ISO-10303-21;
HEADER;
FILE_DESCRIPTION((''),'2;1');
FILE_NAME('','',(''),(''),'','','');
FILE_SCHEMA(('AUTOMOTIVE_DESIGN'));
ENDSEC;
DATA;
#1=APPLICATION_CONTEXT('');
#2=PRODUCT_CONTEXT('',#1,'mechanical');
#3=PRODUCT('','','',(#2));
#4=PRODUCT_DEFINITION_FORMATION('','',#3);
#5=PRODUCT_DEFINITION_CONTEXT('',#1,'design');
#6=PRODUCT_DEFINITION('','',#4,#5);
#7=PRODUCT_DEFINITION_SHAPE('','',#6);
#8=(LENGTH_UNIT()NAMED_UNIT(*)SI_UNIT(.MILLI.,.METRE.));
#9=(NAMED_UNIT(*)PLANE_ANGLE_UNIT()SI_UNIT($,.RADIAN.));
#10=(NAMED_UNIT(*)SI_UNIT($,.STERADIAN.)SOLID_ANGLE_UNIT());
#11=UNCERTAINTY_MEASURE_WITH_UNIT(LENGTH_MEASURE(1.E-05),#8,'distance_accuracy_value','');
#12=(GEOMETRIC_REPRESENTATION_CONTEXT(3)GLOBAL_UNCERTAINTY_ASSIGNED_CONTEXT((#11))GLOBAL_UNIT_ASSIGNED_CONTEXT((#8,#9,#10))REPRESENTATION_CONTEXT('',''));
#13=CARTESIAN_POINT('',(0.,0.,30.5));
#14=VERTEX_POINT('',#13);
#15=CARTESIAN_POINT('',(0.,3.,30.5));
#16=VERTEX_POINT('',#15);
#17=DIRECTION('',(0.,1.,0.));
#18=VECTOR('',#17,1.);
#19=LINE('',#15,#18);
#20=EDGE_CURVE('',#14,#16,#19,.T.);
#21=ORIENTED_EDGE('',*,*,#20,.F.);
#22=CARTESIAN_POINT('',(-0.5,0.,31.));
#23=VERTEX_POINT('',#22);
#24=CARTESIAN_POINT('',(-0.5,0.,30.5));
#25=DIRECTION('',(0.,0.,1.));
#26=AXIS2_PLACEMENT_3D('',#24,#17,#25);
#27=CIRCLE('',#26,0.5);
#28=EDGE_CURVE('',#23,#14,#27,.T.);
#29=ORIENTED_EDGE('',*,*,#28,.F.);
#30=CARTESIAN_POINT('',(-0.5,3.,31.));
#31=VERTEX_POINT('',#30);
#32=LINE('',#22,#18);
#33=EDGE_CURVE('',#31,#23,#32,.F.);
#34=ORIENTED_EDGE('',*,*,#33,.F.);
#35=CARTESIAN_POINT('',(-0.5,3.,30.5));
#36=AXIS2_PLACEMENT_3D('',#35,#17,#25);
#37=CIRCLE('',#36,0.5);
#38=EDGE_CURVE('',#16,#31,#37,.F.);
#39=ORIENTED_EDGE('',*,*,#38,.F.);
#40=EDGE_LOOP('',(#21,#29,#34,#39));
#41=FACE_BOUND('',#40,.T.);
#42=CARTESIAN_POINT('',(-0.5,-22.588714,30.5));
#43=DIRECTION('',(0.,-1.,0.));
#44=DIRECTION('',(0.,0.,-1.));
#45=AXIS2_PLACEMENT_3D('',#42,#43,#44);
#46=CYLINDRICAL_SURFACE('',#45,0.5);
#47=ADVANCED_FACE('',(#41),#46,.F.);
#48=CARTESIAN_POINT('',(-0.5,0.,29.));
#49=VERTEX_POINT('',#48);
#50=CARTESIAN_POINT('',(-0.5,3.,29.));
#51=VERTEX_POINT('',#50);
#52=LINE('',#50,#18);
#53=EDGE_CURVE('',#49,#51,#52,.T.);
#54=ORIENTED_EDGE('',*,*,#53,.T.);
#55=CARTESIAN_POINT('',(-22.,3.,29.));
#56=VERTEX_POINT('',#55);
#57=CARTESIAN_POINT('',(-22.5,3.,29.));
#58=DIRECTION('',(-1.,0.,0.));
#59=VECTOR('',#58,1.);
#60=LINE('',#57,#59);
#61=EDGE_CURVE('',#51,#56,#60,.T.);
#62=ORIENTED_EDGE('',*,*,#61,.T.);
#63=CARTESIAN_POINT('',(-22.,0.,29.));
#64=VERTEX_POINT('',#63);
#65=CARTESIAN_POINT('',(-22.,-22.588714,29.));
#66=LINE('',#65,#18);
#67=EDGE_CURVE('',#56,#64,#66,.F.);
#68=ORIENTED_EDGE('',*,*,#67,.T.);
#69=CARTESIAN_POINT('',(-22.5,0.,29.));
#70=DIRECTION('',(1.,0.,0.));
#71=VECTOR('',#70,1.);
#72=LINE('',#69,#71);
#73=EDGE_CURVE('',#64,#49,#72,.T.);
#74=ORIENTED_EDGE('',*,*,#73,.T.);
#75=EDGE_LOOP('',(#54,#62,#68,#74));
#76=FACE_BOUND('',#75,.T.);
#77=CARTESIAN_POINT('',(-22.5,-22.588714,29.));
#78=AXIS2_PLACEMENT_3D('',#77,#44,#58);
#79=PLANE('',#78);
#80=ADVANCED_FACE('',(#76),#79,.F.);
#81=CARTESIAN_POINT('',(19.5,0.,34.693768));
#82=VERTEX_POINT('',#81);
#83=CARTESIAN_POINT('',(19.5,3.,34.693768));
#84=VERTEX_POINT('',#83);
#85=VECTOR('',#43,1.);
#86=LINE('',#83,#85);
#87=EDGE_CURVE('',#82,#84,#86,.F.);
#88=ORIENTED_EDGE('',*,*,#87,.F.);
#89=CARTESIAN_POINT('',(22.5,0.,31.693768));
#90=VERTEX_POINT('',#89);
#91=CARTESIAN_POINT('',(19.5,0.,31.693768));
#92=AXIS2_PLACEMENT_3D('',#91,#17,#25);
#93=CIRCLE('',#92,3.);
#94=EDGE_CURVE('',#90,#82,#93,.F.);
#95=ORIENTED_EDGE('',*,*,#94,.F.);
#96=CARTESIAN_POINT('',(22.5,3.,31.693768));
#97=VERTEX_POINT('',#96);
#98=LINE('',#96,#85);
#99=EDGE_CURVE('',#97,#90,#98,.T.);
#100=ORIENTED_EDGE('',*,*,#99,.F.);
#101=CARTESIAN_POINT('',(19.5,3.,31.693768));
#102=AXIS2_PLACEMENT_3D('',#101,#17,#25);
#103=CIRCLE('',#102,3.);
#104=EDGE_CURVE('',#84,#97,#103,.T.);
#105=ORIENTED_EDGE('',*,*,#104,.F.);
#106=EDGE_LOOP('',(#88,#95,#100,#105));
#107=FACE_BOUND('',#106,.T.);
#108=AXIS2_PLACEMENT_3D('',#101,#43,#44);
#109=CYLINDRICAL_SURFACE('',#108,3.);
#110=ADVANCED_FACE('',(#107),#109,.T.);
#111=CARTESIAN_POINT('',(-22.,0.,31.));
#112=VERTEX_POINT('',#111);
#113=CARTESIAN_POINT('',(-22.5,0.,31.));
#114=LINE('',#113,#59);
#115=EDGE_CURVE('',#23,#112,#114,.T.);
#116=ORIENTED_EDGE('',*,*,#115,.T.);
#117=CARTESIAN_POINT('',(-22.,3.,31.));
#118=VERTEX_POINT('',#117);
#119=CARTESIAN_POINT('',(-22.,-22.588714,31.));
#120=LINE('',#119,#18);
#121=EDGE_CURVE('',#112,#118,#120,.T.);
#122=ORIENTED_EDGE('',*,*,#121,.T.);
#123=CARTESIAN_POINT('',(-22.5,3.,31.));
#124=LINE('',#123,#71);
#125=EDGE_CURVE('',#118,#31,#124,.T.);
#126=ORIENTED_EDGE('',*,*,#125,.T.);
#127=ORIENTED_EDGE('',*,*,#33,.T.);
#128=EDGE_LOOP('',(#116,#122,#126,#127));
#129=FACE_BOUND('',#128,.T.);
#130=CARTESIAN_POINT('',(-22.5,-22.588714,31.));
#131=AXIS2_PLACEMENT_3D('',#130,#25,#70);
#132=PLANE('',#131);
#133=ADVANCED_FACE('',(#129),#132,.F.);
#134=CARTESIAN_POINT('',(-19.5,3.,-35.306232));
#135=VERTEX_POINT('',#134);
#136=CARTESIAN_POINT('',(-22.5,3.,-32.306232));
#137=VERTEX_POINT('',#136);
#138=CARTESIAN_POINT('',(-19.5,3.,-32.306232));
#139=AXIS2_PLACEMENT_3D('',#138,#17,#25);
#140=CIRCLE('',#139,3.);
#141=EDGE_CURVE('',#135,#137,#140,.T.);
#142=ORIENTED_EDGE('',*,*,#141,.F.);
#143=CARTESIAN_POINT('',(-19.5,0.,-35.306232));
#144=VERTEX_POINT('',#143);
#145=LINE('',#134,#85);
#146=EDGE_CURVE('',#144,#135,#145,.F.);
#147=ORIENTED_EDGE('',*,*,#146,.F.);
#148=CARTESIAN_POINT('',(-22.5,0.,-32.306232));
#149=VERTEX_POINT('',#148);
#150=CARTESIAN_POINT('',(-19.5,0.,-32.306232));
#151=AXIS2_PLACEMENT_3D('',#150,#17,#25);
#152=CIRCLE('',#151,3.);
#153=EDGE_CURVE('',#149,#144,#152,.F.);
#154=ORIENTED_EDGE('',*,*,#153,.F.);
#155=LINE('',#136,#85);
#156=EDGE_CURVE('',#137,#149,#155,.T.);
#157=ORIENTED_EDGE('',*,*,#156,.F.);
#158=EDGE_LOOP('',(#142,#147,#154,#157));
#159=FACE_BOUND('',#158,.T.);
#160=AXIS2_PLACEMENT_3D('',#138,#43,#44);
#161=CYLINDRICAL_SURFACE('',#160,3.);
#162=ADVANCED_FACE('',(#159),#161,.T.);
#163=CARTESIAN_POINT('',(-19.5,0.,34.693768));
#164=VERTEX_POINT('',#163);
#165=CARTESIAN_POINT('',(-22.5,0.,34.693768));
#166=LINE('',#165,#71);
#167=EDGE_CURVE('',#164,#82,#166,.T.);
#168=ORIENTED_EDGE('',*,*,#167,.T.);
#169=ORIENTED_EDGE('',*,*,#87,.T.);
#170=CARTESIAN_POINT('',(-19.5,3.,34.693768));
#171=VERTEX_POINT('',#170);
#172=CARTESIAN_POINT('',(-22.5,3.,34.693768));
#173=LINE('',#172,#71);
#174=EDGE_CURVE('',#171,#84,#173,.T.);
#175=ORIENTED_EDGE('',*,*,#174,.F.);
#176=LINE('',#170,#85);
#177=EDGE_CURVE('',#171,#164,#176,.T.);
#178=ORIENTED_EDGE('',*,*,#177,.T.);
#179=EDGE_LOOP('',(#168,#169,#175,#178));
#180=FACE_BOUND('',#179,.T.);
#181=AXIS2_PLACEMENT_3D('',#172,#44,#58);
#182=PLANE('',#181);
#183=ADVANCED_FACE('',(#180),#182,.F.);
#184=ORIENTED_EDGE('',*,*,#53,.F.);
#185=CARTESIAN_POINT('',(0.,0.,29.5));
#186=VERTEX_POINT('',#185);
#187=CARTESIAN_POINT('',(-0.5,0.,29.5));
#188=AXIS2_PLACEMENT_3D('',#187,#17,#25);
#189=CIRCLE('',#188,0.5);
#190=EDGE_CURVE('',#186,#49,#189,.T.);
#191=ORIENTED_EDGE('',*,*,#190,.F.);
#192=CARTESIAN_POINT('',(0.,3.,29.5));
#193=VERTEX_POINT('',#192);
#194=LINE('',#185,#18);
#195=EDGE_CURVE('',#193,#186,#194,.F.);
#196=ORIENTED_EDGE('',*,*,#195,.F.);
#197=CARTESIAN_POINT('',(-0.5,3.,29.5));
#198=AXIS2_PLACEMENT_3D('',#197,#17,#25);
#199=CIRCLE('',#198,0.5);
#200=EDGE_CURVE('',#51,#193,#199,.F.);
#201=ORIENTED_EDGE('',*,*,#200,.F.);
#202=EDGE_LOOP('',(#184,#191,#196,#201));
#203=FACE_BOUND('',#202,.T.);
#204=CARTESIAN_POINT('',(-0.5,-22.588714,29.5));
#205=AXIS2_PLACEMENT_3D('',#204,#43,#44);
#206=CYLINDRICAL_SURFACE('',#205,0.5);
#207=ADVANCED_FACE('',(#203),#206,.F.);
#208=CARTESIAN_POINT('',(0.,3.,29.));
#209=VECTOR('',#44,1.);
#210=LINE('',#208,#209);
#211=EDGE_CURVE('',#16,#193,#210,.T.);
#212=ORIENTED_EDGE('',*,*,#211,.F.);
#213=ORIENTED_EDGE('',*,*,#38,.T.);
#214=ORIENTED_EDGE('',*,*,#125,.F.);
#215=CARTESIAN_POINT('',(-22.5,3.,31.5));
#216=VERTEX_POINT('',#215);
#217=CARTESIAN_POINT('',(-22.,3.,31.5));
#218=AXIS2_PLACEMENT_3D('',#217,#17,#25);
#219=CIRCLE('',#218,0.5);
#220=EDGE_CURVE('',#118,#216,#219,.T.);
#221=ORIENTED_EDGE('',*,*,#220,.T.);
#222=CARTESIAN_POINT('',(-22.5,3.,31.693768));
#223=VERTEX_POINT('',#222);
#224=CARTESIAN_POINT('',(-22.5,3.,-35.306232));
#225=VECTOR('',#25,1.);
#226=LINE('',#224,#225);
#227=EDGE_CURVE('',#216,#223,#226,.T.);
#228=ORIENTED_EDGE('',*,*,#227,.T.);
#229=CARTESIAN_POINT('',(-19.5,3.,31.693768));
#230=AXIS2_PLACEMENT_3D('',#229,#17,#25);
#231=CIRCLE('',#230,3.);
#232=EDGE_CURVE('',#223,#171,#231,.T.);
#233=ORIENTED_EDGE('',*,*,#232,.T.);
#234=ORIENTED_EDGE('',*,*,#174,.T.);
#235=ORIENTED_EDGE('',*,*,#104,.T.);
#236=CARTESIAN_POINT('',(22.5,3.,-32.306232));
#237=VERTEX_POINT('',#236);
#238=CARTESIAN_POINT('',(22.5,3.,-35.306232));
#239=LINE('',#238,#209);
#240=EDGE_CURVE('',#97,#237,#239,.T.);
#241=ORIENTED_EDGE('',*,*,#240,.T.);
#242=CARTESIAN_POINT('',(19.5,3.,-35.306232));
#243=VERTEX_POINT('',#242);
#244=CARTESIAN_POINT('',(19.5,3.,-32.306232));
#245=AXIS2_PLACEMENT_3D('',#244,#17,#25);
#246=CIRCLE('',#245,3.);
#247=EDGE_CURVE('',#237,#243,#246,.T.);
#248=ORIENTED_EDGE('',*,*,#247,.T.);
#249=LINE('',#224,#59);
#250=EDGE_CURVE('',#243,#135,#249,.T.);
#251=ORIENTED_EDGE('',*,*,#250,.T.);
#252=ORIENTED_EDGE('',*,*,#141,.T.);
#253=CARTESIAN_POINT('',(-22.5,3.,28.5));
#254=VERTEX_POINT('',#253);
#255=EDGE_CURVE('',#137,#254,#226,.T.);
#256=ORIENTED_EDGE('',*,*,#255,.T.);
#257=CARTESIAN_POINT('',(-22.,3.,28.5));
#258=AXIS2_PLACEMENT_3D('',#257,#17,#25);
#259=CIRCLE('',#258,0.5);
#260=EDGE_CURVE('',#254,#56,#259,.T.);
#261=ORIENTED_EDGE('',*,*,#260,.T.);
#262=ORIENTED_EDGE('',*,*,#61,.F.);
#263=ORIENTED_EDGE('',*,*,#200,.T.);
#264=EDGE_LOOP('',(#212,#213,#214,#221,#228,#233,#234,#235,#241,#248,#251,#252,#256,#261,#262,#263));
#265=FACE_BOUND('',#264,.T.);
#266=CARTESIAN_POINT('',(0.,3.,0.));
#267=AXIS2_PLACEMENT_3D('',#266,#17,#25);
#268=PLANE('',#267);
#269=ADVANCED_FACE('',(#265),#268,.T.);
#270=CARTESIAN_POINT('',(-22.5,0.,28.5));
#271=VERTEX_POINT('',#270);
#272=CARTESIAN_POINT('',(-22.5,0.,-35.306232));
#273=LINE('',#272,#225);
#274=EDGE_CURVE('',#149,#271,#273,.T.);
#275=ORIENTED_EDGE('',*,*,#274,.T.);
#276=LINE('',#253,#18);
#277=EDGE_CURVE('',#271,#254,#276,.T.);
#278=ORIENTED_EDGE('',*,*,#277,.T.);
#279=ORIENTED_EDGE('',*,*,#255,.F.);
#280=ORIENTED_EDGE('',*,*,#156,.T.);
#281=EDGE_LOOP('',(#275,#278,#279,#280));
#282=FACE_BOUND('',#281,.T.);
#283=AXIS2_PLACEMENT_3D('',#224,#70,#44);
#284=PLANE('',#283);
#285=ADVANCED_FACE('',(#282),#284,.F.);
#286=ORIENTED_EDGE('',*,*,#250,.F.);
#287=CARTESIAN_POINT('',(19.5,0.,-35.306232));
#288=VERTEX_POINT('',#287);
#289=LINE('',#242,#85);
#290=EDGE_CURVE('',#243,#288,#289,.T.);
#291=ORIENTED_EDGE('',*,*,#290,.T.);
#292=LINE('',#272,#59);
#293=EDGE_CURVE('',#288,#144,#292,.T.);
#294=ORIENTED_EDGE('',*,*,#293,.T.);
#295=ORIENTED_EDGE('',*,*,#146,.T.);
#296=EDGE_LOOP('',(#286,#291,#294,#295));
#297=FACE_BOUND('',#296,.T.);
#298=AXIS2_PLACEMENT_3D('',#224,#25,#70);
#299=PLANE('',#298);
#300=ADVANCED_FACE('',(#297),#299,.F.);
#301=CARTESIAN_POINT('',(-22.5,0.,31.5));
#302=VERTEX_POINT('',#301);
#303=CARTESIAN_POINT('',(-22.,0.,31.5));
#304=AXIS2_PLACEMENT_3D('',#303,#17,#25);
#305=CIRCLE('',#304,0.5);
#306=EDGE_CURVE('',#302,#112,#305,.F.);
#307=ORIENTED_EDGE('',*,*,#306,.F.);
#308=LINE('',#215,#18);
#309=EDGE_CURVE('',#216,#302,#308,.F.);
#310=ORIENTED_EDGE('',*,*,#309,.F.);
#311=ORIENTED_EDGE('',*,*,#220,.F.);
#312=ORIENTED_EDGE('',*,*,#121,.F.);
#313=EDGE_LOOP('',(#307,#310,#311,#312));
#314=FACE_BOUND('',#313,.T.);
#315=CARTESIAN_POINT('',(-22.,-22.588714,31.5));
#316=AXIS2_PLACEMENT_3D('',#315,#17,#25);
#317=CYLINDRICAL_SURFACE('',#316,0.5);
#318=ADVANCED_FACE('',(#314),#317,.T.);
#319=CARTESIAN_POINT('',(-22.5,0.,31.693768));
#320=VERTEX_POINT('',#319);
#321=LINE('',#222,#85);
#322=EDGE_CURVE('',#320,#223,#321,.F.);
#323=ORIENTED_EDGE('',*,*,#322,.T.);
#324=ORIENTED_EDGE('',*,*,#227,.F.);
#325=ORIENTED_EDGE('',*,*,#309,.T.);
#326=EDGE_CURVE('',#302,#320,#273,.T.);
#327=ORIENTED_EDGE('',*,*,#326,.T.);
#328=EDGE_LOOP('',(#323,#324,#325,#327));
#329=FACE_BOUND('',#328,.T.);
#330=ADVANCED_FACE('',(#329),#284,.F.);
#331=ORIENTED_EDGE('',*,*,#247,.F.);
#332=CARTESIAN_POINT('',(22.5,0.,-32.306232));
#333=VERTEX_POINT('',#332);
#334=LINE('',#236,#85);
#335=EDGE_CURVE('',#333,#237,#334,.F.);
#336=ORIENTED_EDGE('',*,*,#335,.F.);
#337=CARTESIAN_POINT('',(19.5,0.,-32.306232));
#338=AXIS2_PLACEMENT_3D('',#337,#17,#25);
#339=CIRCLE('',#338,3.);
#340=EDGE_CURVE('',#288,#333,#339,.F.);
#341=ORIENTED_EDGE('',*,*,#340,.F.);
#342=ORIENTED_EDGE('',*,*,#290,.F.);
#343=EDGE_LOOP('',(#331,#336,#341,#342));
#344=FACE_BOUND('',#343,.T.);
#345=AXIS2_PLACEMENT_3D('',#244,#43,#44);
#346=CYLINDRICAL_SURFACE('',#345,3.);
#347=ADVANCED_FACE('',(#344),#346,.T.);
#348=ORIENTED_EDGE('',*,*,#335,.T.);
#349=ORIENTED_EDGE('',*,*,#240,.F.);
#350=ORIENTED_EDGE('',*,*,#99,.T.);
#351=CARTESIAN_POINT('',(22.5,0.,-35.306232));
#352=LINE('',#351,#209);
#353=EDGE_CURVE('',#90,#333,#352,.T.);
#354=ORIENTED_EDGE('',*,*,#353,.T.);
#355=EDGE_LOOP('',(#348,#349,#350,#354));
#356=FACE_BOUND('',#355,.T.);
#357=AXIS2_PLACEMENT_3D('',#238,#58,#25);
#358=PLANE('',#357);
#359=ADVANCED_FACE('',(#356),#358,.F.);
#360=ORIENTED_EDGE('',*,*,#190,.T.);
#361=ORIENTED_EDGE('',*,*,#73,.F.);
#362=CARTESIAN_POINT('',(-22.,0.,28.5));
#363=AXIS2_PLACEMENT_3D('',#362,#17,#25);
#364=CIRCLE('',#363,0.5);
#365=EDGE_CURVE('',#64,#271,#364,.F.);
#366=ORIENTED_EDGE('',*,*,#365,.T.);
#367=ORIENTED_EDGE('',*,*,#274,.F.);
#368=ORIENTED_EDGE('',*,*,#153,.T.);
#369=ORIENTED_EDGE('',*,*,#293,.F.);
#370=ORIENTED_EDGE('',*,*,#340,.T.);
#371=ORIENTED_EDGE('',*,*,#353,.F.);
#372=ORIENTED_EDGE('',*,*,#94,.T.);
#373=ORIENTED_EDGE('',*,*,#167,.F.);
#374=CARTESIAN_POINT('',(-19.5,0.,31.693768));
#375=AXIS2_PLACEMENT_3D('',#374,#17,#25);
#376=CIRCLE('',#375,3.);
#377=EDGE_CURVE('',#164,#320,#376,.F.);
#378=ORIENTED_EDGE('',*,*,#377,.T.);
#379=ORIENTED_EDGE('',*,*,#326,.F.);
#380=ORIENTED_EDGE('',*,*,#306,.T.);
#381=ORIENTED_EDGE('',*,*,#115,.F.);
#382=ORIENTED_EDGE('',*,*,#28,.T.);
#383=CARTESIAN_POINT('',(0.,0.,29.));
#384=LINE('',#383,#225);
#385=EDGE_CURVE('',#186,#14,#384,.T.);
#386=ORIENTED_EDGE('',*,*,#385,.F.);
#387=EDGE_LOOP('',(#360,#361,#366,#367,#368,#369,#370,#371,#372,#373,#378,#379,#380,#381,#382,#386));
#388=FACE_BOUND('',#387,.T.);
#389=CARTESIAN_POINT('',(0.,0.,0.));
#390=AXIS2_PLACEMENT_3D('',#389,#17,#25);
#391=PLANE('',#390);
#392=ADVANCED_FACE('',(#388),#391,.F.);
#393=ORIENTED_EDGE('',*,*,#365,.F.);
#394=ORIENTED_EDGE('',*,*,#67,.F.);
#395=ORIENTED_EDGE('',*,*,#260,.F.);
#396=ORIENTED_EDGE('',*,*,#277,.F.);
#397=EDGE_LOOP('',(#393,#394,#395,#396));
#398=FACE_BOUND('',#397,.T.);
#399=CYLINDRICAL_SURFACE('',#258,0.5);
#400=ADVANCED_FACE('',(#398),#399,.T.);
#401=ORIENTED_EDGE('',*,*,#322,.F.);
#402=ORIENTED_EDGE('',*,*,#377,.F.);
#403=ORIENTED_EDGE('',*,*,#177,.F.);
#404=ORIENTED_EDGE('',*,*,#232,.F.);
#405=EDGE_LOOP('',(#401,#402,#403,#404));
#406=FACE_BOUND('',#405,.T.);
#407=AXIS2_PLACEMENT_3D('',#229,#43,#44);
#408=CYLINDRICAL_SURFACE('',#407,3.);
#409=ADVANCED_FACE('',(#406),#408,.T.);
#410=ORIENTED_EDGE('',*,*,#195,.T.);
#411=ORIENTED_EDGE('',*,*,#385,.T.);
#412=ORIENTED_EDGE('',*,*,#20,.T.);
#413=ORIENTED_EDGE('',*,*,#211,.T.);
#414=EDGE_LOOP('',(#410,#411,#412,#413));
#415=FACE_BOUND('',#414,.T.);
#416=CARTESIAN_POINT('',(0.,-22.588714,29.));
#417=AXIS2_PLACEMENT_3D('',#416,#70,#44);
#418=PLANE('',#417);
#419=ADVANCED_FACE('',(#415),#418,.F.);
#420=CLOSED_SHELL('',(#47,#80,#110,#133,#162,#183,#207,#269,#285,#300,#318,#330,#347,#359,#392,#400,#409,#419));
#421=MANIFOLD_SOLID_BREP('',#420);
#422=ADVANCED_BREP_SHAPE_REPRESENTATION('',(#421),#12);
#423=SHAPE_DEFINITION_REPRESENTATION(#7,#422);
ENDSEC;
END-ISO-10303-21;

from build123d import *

# Parameters (mm, degrees)
CROQUIS1_W              = 45
CROQUIS1_H              = 70
SALIENTE_EXTRUIR1_DEPTH = 3
CROQUIS2_W              = 22.5
CROQUIS2_H              = 2
CORTAR_EXTRUIR1_DEPTH   = 3
REDONDEO1_R             = 3
REDONDEO2_R             = 0.5


with BuildPart() as part:
    # Croquis1 → Saliente-Extruir1 (new body)
    with BuildSketch(Plane(origin=(0, 0, 0), x_dir=(1, 0, 0), z_dir=(0, 1, 0))):
        with Locations((0, 0.306231574)):
            Rectangle(CROQUIS1_W, CROQUIS1_H)
    extrude(amount=SALIENTE_EXTRUIR1_DEPTH)

    # Croquis2 → Cortar-Extruir1 (cut)
    with BuildSketch(Plane(origin=(0, 3, 0), x_dir=(1, 0, 0), z_dir=(0, 1, 0))):
        with Locations((-11.25, -30)):
            Rectangle(CROQUIS2_W, CROQUIS2_H)
    extrude(amount=-CORTAR_EXTRUIR1_DEPTH, mode=Mode.SUBTRACT)

    # Redondeo1
    redondeo1_edges = [part.edges().sort_by_distance(p)[0] for p in [
        (-22.5, 1.5, -35.306231574),
        (22.5, 1.5, -35.306231574),
        (22.5, 1.5, 34.693768426),
        (-22.5, 1.5, 34.693768426),
    ]]
    fillet(redondeo1_edges, radius=REDONDEO1_R)

    # Redondeo2
    redondeo2_edges = [part.edges().sort_by_distance(p)[0] for p in [
        (-22.5, 1.5, 31),
        (-22.5, 1.5, 29),
        (0, 1.5, 29),
        (0, 1.5, 31),
    ]]
    fillet(redondeo2_edges, radius=REDONDEO2_R)


solid = part.part
